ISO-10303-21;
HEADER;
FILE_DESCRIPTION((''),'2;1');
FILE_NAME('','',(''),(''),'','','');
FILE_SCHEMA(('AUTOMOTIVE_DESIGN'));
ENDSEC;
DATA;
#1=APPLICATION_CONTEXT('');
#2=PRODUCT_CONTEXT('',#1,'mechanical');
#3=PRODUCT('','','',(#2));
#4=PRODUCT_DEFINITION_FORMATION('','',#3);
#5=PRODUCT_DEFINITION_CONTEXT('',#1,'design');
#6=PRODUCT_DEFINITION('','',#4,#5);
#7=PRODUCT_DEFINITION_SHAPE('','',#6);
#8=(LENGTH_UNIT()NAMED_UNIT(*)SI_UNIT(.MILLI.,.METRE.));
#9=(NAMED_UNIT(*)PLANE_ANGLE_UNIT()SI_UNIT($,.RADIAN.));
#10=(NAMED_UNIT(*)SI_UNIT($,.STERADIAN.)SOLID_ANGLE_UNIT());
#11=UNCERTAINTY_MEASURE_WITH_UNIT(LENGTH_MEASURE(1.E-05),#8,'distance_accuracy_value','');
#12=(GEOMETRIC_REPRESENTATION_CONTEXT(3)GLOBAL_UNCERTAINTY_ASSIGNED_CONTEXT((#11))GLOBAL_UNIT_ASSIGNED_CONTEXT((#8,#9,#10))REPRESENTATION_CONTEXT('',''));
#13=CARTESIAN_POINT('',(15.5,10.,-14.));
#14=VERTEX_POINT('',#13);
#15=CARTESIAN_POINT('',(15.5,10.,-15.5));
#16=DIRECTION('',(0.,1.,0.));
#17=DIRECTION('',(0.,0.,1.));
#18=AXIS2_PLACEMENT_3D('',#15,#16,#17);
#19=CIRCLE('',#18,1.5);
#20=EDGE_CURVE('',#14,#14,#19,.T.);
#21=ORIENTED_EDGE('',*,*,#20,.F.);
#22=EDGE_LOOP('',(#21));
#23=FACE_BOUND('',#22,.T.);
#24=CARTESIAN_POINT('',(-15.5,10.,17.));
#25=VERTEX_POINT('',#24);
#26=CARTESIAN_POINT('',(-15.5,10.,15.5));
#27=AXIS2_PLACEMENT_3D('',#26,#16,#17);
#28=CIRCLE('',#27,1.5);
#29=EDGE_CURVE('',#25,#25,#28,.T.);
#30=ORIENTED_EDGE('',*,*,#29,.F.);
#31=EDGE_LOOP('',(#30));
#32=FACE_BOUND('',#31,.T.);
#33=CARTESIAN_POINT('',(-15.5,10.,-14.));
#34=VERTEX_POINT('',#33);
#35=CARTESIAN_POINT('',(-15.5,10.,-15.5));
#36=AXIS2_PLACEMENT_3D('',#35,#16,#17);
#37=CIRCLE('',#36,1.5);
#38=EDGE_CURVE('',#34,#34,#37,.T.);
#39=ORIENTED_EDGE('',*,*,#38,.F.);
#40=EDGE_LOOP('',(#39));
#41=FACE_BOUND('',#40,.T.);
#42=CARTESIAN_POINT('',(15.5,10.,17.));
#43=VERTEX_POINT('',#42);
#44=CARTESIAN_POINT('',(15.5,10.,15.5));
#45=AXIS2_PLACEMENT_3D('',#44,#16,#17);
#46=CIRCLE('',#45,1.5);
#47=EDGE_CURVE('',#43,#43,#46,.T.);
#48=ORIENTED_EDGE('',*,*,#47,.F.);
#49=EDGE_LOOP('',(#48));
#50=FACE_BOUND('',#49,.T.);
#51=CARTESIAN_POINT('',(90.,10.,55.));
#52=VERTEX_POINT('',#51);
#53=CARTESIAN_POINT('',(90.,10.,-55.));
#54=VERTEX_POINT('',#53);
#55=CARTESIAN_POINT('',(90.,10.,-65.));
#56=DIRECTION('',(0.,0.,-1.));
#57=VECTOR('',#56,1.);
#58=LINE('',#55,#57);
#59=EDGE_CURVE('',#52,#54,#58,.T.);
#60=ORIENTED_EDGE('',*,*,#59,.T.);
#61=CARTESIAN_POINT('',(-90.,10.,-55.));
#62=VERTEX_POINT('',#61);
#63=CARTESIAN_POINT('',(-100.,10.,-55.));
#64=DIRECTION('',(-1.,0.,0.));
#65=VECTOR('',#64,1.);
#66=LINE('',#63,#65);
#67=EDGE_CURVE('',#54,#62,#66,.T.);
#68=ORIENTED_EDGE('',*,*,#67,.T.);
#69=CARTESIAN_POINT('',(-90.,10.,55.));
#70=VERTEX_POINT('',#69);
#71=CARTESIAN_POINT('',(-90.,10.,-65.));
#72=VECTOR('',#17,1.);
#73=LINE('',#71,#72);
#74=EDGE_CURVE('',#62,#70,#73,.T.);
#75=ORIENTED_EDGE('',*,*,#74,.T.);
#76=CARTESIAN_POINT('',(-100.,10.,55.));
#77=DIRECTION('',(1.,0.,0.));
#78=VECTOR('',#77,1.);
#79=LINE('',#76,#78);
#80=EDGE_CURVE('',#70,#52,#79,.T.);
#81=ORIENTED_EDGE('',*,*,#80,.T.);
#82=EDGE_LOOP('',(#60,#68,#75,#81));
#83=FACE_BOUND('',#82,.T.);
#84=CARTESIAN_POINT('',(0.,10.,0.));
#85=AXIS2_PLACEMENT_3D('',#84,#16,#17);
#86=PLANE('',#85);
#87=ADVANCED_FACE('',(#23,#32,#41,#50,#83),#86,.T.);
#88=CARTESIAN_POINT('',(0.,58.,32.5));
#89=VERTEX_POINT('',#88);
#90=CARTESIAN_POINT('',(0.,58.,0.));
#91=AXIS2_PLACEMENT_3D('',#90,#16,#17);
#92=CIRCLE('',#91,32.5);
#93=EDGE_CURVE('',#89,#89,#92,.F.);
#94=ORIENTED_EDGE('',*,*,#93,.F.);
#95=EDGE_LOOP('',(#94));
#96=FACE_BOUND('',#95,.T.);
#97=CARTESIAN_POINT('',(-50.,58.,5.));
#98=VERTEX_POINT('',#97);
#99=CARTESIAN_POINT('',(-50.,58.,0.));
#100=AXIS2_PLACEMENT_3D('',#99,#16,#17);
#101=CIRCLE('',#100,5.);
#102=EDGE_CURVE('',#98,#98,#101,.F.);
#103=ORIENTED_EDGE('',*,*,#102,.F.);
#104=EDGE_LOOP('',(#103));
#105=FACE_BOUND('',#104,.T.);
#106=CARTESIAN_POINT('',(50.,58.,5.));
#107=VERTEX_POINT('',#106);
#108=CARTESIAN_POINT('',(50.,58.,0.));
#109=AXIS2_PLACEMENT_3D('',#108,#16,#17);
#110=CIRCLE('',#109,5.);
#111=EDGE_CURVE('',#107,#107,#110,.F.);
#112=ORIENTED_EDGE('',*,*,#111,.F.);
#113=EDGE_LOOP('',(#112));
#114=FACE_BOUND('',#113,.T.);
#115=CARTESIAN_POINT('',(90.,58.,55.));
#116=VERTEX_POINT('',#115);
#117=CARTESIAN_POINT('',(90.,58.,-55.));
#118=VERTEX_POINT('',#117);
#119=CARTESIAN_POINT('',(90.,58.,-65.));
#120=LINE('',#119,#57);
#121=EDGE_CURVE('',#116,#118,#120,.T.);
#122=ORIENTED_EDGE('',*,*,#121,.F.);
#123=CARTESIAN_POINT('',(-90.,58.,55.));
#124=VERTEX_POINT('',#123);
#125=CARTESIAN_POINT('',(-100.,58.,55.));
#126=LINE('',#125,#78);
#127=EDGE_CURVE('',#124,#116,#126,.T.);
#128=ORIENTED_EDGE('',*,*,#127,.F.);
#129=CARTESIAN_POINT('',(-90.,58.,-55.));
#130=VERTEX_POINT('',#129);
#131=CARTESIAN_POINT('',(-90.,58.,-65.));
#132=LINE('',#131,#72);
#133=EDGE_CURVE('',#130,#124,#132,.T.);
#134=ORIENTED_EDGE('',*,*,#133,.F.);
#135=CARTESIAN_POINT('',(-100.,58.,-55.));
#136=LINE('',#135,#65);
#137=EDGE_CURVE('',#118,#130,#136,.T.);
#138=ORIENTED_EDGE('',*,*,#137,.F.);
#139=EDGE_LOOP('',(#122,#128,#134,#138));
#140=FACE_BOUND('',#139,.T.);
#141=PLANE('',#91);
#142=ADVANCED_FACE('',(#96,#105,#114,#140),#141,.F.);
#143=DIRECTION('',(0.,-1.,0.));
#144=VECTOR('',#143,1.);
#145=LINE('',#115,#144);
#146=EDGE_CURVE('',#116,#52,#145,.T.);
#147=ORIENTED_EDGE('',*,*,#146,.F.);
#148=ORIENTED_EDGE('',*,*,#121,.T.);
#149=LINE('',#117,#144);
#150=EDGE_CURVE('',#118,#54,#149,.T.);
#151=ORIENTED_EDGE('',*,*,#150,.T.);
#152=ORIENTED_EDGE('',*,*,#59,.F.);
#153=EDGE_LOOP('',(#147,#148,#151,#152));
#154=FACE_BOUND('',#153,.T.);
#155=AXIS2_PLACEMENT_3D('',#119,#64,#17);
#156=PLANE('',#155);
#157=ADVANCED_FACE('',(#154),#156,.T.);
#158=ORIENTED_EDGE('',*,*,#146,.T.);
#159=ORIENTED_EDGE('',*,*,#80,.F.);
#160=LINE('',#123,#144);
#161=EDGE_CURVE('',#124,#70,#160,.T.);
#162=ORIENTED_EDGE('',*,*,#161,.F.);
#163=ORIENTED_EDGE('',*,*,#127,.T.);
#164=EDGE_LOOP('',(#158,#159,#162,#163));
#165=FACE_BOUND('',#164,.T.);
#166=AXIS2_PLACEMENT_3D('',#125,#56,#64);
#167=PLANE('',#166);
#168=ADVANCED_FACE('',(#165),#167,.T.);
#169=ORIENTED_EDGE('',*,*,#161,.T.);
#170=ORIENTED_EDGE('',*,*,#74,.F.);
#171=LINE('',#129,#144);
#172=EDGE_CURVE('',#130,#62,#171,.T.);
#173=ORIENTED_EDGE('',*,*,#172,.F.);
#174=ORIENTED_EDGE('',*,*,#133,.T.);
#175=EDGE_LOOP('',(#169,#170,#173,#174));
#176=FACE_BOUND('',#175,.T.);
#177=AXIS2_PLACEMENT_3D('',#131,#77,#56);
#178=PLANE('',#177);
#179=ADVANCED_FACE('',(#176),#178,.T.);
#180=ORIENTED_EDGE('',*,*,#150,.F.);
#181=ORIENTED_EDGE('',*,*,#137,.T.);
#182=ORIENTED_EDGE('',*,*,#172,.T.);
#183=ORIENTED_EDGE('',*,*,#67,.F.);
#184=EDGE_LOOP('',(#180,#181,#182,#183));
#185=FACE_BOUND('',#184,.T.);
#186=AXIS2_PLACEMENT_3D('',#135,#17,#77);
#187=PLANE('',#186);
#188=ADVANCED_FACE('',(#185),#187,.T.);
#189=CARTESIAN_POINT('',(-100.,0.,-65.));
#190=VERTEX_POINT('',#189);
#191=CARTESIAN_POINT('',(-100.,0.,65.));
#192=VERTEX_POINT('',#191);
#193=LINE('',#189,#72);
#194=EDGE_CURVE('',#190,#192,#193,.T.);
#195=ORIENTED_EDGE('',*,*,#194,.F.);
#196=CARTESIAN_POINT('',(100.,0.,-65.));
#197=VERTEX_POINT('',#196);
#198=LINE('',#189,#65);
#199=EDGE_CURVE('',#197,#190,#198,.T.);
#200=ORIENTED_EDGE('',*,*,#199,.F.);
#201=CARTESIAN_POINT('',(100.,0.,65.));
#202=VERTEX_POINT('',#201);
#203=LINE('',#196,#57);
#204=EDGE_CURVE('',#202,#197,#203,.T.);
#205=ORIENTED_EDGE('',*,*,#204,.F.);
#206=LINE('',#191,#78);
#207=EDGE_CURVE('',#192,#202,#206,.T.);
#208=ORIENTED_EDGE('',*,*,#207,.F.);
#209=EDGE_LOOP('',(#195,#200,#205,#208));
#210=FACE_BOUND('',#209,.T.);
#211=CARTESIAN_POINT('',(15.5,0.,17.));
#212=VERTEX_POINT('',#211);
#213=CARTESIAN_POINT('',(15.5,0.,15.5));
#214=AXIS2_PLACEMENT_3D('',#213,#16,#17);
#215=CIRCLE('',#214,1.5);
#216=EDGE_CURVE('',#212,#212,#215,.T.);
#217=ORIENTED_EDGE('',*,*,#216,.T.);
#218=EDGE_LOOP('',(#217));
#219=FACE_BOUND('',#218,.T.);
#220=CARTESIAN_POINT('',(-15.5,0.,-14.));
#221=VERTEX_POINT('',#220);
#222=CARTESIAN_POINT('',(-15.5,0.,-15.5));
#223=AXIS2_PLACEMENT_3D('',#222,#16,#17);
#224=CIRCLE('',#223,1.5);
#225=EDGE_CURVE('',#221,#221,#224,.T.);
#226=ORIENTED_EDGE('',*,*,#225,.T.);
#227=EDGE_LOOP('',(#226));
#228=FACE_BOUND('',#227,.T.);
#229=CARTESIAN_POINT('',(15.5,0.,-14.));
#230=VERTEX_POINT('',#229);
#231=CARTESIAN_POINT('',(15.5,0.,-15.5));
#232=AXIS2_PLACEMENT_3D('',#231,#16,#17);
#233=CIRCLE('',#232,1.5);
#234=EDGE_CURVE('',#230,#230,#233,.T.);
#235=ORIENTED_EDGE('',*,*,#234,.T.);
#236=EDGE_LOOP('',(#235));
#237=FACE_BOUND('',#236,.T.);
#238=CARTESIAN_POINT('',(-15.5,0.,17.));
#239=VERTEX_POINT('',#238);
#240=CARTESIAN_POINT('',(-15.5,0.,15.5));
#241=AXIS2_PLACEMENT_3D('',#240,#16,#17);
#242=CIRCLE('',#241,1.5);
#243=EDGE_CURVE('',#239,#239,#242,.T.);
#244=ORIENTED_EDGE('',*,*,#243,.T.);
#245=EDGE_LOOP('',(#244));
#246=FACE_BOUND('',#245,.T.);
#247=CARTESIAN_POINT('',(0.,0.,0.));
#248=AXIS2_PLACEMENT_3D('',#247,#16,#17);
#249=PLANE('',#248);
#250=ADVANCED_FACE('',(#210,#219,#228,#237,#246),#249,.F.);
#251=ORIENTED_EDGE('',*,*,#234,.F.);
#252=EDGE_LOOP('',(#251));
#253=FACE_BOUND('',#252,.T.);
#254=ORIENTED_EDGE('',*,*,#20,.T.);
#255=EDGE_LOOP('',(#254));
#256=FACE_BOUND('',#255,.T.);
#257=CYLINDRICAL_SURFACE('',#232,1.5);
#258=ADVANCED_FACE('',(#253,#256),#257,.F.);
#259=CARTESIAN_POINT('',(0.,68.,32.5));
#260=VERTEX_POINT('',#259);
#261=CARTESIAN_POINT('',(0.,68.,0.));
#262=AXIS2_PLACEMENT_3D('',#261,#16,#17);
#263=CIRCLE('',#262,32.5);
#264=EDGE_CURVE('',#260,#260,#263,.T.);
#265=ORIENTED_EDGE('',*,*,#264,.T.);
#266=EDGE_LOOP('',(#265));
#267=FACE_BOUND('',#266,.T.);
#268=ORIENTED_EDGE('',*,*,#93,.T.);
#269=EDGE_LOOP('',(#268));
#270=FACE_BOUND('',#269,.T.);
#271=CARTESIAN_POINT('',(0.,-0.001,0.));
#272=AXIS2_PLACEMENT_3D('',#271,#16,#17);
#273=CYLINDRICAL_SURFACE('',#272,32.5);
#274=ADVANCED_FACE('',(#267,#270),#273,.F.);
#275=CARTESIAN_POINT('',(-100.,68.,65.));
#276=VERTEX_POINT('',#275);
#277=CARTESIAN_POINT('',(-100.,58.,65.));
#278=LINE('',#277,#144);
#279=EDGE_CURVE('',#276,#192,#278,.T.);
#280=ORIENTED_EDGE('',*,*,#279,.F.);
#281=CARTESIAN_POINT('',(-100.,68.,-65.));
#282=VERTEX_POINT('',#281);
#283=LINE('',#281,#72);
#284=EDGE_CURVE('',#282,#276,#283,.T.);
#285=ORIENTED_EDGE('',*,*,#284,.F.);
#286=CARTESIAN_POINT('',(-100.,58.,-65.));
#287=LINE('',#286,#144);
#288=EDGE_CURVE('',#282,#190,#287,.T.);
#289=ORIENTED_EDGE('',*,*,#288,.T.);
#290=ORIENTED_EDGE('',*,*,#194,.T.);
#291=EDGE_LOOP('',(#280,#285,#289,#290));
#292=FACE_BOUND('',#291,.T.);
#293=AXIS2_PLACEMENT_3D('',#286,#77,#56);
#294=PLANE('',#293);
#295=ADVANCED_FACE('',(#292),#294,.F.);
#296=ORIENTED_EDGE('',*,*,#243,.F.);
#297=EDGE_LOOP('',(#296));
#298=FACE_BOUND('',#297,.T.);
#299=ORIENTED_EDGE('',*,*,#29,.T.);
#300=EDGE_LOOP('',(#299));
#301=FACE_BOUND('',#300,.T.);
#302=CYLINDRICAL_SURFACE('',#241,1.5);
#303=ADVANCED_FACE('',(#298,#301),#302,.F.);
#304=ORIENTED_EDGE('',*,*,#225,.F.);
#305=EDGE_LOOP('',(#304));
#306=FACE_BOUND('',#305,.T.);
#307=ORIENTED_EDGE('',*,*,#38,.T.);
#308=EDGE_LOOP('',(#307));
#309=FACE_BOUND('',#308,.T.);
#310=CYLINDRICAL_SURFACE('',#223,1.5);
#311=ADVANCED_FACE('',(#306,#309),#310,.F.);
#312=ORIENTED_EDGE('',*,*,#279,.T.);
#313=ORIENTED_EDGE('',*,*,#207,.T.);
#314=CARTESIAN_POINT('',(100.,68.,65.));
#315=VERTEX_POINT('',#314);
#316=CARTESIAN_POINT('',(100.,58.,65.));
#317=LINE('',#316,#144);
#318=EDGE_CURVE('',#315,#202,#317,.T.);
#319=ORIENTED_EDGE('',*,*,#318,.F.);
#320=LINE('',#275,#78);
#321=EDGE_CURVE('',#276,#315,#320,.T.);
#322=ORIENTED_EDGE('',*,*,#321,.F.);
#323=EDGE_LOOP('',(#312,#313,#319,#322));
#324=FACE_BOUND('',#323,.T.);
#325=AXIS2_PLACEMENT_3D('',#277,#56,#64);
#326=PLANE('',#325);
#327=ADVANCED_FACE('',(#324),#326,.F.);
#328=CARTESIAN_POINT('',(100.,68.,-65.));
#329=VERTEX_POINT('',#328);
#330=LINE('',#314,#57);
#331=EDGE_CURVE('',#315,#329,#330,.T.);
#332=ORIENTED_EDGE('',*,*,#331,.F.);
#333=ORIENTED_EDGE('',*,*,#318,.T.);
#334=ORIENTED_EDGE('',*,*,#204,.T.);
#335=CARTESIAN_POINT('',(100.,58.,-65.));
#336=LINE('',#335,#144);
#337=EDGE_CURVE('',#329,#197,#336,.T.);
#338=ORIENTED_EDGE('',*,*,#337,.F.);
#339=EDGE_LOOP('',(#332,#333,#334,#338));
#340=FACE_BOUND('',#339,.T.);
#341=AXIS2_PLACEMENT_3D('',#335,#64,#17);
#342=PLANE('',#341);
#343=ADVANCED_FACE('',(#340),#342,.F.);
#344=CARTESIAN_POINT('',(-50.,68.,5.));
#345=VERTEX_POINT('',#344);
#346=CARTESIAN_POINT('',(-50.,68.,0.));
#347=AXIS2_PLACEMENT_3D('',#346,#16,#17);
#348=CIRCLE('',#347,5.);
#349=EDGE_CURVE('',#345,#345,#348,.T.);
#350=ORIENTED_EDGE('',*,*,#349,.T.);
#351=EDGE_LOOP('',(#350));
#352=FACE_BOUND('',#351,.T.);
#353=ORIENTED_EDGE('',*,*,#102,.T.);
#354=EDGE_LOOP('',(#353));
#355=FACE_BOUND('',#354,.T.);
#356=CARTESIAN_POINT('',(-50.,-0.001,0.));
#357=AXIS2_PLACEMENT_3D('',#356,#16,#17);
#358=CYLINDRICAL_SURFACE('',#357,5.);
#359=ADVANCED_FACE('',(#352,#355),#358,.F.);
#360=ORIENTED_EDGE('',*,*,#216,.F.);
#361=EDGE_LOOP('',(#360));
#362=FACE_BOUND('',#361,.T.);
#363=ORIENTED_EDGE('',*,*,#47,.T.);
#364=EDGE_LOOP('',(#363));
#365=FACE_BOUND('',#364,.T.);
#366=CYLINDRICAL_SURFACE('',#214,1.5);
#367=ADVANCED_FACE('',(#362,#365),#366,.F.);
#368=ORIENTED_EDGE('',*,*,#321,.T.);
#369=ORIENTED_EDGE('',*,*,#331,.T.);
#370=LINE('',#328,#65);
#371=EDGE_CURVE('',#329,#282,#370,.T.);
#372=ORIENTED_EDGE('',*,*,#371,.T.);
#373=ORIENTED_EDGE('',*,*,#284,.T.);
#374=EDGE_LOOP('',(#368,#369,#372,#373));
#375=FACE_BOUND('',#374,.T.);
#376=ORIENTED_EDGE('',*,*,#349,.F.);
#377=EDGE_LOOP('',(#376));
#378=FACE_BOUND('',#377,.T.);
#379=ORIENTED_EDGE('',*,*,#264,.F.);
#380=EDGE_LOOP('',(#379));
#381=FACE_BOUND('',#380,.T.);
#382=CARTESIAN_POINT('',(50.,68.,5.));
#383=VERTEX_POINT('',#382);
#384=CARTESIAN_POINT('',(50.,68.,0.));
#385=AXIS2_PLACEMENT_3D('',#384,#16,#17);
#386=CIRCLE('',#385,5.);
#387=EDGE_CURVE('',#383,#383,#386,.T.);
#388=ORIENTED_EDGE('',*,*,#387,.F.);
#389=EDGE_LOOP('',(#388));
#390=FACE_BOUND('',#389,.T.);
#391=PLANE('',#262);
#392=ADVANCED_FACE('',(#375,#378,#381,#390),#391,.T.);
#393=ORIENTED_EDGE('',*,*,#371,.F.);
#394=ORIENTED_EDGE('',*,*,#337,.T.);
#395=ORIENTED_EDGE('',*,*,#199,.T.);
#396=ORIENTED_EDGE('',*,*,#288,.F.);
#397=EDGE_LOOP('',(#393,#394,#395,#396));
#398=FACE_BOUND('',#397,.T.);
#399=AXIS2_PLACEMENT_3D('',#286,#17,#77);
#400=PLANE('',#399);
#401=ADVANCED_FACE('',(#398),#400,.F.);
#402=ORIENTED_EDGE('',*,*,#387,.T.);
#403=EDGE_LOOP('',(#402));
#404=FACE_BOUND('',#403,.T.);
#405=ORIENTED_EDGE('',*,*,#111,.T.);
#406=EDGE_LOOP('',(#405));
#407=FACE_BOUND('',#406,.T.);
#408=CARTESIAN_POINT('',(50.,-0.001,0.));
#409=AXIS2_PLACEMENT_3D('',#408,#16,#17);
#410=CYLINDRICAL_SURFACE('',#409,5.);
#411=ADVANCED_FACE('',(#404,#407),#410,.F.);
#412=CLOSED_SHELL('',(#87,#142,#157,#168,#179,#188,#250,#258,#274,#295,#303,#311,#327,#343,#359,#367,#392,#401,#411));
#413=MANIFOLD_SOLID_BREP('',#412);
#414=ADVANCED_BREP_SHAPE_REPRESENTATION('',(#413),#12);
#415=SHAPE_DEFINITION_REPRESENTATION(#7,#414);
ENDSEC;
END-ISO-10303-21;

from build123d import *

# Parameters (mm, degrees)
SKETCH1_W           = 200
SKETCH1_H           = 130
BOSS_EXTRUDE1_DEPTH = 58
SHELL1_T            = -10
SKETCH2_R           = 1.5
CUT_EXTRUDE1_DEPTH  = 129.565158577
SKETCH3_W           = 200
SKETCH3_H           = 130
BOSS_EXTRUDE2_DEPTH = 10
CUT_EXTRUDE2_REACH  = 139.292
SKETCH4_R           = 32.5
SKETCH4_R_2         = 5


with BuildPart() as part:
    # Sketch1 → Boss-Extrude1 (new body)
    with BuildSketch(Plane(origin=(0, 0, 0), x_dir=(1, 0, 0), z_dir=(0, 1, 0))):
        Rectangle(SKETCH1_W, SKETCH1_H)
    extrude(amount=BOSS_EXTRUDE1_DEPTH)

    # Shell1
    shell1_openings = [part.faces().sort_by_distance(p)[0] for p in [
        (0, 58, 0),
    ]]
    offset(amount=SHELL1_T, openings=shell1_openings, kind=Kind.INTERSECTION)

    # Sketch2 → Cut-Extrude1 (cut, through all)
    with BuildSketch(Plane(origin=(0, 10, 0), x_dir=(1, 0, 0), z_dir=(0, 1, 0))):
        with Locations(Location((-15.5, 15.5, 0), (0, 0, 270))):
            Circle(SKETCH2_R)
        with Locations(Location((15.5, 15.5, 0), (0, 0, 270))):
            Circle(SKETCH2_R)
        with Locations(Location((-15.5, -15.5, 0), (0, 0, 270))):
            Circle(SKETCH2_R)
        with Locations(Location((15.5, -15.5, 0), (0, 0, 270))):
            Circle(SKETCH2_R)
    extrude(amount=-CUT_EXTRUDE1_DEPTH, mode=Mode.SUBTRACT)

    # Sketch3 → Boss-Extrude2 (add)
    with BuildSketch(Plane(origin=(0, 58, 0), x_dir=(1, 0, 0), z_dir=(0, 1, 0))):
        Rectangle(SKETCH3_W, SKETCH3_H)
    extrude(amount=BOSS_EXTRUDE2_DEPTH)

    # Sketch4 → Cut-Extrude2 (cut, up to next)
    with BuildSketch(Plane(origin=(0, 68, 0), x_dir=(1, 0, 0), z_dir=(0, 1, 0)), mode=Mode.PRIVATE) as cut_extrude2_sk1:
        with Locations(Location((0, 0, 0), (0, 0, 270))):
            Circle(SKETCH4_R)
    cut_extrude2_tool1 = extrude(cut_extrude2_sk1.sketch, amount=-CUT_EXTRUDE2_REACH, mode=Mode.PRIVATE) & part.part
    # Sketch4 → Cut-Extrude2 (cut, up to next)
    with BuildSketch(Plane(origin=(0, 68, 0), x_dir=(1, 0, 0), z_dir=(0, 1, 0)), mode=Mode.PRIVATE) as cut_extrude2_sk2:
        with Locations(Location((-50, 0, 0), (0, 0, 270))):
            Circle(SKETCH4_R_2)
    cut_extrude2_tool2 = extrude(cut_extrude2_sk2.sketch, amount=-CUT_EXTRUDE2_REACH, mode=Mode.PRIVATE) & part.part
    # Sketch4 → Cut-Extrude2 (cut, up to next)
    with BuildSketch(Plane(origin=(0, 68, 0), x_dir=(1, 0, 0), z_dir=(0, 1, 0)), mode=Mode.PRIVATE) as cut_extrude2_sk3:
        with Locations(Location((50, 0, 0), (0, 0, 270))):
            Circle(SKETCH4_R_2)
    cut_extrude2_tool3 = extrude(cut_extrude2_sk3.sketch, amount=-CUT_EXTRUDE2_REACH, mode=Mode.PRIVATE) & part.part
    add(cut_extrude2_tool1.solids().sort_by_distance((0, 68, 0))[0], mode=Mode.SUBTRACT)
    add(cut_extrude2_tool2.solids().sort_by_distance((-50, 68, 0))[0], mode=Mode.SUBTRACT)
    add(cut_extrude2_tool3.solids().sort_by_distance((50, 68, 0))[0], mode=Mode.SUBTRACT)


solid = part.part
